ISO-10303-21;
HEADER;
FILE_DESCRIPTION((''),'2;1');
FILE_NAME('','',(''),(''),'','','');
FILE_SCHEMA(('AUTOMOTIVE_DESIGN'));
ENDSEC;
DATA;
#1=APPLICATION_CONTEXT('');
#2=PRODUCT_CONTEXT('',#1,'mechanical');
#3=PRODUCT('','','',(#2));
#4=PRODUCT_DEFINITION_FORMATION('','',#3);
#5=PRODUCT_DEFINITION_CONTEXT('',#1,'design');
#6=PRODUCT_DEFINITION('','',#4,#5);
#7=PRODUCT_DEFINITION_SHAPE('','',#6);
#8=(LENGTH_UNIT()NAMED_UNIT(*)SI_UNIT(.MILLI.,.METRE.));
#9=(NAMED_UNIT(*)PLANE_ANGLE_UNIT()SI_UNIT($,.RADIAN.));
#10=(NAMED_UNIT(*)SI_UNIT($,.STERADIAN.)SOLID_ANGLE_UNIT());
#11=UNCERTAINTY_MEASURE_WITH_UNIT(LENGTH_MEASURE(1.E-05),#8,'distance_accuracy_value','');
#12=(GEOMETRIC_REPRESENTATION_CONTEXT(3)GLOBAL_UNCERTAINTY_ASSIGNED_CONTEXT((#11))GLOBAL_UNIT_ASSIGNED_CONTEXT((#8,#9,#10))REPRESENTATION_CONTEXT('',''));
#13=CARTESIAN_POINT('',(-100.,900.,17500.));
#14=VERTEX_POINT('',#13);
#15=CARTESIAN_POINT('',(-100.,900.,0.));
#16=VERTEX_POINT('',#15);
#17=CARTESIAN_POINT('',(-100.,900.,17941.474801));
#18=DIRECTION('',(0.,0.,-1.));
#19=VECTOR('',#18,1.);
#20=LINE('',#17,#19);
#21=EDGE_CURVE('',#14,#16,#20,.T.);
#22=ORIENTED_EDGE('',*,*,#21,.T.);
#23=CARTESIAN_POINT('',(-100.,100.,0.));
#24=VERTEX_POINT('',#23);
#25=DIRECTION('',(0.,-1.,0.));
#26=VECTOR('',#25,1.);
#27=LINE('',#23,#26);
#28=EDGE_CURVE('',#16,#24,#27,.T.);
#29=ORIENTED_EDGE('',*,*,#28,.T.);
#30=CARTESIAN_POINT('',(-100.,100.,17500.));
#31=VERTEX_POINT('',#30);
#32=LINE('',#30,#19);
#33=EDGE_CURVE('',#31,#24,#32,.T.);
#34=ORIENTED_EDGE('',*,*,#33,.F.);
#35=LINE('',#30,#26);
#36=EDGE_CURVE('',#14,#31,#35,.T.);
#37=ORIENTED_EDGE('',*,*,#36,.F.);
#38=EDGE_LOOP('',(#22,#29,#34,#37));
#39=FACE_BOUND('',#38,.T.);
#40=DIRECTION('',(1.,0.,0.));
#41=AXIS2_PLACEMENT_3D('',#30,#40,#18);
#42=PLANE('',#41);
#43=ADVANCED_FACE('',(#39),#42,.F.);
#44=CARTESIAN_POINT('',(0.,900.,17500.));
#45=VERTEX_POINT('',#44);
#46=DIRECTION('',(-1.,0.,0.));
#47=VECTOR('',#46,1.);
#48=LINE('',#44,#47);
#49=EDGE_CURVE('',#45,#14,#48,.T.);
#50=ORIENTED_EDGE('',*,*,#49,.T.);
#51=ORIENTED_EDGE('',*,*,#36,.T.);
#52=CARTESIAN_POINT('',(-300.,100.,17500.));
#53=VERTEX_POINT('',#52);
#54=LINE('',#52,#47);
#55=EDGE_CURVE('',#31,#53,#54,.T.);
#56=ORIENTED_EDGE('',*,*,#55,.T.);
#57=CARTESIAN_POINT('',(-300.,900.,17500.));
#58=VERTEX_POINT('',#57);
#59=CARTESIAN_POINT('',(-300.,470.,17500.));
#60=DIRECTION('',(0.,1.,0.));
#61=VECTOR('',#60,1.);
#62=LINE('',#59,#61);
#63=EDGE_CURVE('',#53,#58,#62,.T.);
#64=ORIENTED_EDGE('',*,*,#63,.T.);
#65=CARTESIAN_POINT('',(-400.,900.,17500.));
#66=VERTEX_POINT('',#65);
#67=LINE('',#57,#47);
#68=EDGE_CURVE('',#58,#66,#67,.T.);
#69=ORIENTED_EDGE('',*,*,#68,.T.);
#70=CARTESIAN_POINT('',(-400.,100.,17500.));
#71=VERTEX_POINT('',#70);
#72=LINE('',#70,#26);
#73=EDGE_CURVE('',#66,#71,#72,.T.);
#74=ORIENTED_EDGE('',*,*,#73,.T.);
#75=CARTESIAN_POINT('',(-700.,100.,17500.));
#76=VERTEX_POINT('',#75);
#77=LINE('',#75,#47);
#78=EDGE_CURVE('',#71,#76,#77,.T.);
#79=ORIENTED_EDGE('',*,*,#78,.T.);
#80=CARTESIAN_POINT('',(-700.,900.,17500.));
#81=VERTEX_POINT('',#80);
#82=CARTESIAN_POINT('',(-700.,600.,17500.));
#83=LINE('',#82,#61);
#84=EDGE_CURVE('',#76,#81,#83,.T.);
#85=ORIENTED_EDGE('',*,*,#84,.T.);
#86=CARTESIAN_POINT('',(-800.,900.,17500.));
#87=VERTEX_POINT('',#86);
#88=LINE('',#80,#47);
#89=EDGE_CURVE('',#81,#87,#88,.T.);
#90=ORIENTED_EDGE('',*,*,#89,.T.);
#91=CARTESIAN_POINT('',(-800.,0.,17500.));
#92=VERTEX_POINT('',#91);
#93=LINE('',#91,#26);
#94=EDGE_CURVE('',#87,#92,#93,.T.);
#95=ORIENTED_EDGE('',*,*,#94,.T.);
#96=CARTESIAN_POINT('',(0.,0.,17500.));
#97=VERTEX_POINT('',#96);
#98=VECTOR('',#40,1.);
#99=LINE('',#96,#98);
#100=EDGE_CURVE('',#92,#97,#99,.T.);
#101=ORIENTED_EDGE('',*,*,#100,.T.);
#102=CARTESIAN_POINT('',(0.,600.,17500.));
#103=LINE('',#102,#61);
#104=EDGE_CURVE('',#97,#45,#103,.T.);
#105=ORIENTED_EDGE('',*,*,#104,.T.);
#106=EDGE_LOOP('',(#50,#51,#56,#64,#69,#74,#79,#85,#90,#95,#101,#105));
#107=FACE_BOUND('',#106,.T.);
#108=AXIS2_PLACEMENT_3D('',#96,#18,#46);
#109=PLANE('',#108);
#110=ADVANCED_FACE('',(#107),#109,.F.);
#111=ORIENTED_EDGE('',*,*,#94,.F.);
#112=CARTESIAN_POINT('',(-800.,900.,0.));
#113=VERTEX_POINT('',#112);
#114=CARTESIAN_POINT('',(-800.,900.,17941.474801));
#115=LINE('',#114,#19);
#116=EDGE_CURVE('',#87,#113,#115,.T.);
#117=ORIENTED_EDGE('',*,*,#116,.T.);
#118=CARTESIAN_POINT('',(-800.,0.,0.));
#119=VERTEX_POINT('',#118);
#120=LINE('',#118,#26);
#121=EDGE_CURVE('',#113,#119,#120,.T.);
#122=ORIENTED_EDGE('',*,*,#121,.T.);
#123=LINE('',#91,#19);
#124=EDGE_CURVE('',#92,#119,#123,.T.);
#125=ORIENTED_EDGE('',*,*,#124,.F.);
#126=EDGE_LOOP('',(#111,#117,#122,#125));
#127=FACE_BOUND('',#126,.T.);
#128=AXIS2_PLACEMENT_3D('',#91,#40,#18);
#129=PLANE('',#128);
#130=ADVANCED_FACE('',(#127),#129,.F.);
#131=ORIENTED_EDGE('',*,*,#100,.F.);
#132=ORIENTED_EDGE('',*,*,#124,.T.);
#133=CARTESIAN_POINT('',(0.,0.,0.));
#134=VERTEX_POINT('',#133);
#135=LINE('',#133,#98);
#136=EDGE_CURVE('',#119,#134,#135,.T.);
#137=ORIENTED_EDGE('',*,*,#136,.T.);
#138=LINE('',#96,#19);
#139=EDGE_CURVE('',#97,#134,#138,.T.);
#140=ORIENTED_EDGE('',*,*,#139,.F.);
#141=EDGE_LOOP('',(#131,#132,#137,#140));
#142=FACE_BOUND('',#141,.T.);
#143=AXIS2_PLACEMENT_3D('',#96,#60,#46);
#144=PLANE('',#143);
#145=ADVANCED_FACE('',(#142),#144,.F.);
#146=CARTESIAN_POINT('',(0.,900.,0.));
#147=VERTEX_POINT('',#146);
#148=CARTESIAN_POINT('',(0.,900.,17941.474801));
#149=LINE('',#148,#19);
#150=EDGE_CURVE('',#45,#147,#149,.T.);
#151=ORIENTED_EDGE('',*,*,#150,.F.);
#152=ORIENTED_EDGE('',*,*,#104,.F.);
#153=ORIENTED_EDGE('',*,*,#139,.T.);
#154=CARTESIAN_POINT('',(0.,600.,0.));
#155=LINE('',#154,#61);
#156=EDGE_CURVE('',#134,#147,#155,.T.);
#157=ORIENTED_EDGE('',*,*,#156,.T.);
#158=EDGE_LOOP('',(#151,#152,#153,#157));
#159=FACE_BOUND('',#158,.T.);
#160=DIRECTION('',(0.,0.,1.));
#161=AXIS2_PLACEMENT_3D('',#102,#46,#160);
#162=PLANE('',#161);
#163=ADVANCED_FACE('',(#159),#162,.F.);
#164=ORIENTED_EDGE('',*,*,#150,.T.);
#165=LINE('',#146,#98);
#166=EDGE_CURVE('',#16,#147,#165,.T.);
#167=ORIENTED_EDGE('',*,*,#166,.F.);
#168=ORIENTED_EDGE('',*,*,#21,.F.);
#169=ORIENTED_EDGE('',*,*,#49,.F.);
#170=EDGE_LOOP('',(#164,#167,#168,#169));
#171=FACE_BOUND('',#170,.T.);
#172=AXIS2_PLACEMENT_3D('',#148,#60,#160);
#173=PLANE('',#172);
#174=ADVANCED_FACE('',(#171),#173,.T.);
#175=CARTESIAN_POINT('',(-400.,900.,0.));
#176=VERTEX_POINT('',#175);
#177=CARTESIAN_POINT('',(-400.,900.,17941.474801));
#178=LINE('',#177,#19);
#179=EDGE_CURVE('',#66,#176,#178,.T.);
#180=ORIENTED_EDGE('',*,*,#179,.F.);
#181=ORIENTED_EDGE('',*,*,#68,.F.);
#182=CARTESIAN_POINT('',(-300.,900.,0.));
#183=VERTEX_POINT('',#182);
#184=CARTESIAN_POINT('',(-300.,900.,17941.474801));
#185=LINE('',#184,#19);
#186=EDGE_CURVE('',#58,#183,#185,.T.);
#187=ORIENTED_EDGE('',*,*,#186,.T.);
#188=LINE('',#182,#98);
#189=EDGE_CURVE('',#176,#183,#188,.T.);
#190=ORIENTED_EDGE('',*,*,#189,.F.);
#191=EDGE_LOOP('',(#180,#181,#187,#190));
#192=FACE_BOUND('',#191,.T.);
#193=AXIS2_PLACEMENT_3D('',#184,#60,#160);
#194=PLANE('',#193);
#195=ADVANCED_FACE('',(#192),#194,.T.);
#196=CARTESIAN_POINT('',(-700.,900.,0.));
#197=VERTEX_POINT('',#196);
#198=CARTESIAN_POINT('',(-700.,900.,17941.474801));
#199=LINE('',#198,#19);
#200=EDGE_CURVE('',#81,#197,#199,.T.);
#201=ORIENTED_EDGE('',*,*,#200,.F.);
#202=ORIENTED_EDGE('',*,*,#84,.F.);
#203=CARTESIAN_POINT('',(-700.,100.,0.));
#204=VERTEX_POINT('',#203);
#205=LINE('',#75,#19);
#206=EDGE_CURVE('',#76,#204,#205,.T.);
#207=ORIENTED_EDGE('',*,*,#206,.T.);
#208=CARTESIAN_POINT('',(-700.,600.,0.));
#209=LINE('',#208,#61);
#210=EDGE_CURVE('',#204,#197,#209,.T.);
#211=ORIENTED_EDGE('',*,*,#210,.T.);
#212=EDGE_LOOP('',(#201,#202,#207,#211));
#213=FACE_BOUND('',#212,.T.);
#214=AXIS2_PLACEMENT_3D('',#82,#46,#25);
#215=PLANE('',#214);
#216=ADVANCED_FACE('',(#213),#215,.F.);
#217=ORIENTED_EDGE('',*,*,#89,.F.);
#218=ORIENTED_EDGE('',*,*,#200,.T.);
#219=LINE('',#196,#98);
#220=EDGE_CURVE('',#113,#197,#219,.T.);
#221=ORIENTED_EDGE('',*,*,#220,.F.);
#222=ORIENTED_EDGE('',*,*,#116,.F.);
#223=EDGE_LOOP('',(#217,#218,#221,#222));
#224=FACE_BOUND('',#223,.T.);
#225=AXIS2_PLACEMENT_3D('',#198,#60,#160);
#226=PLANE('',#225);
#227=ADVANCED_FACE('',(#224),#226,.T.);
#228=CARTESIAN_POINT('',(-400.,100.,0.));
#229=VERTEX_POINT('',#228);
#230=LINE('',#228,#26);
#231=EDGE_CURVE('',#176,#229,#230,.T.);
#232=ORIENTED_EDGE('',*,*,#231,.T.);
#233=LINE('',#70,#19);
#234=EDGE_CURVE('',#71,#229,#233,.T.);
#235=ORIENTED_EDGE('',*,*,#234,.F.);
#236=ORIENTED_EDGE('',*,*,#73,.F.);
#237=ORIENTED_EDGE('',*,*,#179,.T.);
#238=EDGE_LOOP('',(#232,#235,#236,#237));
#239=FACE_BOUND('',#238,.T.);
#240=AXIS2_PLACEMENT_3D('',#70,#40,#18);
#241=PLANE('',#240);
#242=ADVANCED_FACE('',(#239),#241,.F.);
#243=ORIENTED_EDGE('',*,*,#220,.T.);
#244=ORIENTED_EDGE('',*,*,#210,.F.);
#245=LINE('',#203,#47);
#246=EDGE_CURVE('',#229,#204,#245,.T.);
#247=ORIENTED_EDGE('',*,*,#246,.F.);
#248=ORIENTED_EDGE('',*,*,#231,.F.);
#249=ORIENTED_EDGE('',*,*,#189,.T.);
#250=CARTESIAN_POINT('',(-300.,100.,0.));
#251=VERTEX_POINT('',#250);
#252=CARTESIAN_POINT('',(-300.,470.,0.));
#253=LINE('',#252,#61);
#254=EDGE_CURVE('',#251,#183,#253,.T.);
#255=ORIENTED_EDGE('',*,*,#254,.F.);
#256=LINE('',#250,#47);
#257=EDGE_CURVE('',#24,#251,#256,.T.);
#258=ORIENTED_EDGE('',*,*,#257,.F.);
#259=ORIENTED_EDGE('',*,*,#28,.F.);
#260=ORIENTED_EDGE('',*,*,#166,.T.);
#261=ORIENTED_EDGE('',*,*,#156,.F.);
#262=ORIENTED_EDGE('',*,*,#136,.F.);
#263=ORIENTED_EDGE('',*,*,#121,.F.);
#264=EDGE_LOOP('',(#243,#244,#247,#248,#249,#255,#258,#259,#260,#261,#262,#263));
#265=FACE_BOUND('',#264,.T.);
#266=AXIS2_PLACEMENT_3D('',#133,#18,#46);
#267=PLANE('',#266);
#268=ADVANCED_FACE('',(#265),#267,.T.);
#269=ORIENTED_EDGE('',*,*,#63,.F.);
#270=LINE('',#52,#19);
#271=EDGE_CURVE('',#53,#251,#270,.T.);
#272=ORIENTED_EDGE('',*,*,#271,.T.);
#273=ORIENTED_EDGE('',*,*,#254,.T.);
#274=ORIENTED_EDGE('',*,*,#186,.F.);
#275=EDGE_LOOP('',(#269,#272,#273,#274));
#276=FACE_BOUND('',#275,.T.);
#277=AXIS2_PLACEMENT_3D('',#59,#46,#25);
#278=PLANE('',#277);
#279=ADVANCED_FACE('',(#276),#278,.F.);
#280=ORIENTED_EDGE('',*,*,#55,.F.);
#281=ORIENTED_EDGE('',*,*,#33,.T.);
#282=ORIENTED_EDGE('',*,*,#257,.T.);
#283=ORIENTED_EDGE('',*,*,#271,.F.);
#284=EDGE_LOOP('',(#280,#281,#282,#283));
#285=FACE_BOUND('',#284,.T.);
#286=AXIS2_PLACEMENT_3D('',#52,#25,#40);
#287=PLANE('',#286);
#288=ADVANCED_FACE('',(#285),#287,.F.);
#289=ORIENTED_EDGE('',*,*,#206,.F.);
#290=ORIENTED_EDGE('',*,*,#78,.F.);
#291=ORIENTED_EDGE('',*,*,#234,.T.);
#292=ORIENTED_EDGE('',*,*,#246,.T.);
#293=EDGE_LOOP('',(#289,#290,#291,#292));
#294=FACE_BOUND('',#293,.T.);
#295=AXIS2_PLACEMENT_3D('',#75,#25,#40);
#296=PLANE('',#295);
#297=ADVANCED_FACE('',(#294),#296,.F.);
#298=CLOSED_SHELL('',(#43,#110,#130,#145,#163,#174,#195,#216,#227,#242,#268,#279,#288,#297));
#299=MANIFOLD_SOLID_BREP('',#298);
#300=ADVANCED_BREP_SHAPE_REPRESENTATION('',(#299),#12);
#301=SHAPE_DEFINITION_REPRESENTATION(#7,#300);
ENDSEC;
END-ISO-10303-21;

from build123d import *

# Parameters (mm, degrees)
SALIENTE_EXTRUIR1_DEPTH = 17500
CROQUIS2_W              = 100
CROQUIS2_H              = 300
SALIENTE_EXTRUIR2_DEPTH = 17500


with BuildPart() as part:
    # Croquis1 → Saliente-Extruir1 (new body)
    with BuildSketch(Plane.XY):
        Polygon((0, 0), (-800, 0), (-800, 600), (-700, 600), (-700, 100), (-400, 100), (-400, 470), (-300, 470), (-300, 100), (-100, 100), (-100, 600), (0, 600), align=None)
    extrude(amount=SALIENTE_EXTRUIR1_DEPTH)

    # Croquis2 → Saliente-Extruir2 (add)
    with BuildSketch(Plane(origin=(0, 0, 0), x_dir=(-1, 0, 0), z_dir=(0, 0, -1))):
        with Locations((50, 750)):
            Rectangle(CROQUIS2_W, CROQUIS2_H)
        with Locations((750, 750)):
            Rectangle(CROQUIS2_W, CROQUIS2_H)
        Polygon((400, 600), (400, 470), (300, 470), (300, 900), (400, 900), align=None)
    extrude(amount=-SALIENTE_EXTRUIR2_DEPTH)


solid = part.part
